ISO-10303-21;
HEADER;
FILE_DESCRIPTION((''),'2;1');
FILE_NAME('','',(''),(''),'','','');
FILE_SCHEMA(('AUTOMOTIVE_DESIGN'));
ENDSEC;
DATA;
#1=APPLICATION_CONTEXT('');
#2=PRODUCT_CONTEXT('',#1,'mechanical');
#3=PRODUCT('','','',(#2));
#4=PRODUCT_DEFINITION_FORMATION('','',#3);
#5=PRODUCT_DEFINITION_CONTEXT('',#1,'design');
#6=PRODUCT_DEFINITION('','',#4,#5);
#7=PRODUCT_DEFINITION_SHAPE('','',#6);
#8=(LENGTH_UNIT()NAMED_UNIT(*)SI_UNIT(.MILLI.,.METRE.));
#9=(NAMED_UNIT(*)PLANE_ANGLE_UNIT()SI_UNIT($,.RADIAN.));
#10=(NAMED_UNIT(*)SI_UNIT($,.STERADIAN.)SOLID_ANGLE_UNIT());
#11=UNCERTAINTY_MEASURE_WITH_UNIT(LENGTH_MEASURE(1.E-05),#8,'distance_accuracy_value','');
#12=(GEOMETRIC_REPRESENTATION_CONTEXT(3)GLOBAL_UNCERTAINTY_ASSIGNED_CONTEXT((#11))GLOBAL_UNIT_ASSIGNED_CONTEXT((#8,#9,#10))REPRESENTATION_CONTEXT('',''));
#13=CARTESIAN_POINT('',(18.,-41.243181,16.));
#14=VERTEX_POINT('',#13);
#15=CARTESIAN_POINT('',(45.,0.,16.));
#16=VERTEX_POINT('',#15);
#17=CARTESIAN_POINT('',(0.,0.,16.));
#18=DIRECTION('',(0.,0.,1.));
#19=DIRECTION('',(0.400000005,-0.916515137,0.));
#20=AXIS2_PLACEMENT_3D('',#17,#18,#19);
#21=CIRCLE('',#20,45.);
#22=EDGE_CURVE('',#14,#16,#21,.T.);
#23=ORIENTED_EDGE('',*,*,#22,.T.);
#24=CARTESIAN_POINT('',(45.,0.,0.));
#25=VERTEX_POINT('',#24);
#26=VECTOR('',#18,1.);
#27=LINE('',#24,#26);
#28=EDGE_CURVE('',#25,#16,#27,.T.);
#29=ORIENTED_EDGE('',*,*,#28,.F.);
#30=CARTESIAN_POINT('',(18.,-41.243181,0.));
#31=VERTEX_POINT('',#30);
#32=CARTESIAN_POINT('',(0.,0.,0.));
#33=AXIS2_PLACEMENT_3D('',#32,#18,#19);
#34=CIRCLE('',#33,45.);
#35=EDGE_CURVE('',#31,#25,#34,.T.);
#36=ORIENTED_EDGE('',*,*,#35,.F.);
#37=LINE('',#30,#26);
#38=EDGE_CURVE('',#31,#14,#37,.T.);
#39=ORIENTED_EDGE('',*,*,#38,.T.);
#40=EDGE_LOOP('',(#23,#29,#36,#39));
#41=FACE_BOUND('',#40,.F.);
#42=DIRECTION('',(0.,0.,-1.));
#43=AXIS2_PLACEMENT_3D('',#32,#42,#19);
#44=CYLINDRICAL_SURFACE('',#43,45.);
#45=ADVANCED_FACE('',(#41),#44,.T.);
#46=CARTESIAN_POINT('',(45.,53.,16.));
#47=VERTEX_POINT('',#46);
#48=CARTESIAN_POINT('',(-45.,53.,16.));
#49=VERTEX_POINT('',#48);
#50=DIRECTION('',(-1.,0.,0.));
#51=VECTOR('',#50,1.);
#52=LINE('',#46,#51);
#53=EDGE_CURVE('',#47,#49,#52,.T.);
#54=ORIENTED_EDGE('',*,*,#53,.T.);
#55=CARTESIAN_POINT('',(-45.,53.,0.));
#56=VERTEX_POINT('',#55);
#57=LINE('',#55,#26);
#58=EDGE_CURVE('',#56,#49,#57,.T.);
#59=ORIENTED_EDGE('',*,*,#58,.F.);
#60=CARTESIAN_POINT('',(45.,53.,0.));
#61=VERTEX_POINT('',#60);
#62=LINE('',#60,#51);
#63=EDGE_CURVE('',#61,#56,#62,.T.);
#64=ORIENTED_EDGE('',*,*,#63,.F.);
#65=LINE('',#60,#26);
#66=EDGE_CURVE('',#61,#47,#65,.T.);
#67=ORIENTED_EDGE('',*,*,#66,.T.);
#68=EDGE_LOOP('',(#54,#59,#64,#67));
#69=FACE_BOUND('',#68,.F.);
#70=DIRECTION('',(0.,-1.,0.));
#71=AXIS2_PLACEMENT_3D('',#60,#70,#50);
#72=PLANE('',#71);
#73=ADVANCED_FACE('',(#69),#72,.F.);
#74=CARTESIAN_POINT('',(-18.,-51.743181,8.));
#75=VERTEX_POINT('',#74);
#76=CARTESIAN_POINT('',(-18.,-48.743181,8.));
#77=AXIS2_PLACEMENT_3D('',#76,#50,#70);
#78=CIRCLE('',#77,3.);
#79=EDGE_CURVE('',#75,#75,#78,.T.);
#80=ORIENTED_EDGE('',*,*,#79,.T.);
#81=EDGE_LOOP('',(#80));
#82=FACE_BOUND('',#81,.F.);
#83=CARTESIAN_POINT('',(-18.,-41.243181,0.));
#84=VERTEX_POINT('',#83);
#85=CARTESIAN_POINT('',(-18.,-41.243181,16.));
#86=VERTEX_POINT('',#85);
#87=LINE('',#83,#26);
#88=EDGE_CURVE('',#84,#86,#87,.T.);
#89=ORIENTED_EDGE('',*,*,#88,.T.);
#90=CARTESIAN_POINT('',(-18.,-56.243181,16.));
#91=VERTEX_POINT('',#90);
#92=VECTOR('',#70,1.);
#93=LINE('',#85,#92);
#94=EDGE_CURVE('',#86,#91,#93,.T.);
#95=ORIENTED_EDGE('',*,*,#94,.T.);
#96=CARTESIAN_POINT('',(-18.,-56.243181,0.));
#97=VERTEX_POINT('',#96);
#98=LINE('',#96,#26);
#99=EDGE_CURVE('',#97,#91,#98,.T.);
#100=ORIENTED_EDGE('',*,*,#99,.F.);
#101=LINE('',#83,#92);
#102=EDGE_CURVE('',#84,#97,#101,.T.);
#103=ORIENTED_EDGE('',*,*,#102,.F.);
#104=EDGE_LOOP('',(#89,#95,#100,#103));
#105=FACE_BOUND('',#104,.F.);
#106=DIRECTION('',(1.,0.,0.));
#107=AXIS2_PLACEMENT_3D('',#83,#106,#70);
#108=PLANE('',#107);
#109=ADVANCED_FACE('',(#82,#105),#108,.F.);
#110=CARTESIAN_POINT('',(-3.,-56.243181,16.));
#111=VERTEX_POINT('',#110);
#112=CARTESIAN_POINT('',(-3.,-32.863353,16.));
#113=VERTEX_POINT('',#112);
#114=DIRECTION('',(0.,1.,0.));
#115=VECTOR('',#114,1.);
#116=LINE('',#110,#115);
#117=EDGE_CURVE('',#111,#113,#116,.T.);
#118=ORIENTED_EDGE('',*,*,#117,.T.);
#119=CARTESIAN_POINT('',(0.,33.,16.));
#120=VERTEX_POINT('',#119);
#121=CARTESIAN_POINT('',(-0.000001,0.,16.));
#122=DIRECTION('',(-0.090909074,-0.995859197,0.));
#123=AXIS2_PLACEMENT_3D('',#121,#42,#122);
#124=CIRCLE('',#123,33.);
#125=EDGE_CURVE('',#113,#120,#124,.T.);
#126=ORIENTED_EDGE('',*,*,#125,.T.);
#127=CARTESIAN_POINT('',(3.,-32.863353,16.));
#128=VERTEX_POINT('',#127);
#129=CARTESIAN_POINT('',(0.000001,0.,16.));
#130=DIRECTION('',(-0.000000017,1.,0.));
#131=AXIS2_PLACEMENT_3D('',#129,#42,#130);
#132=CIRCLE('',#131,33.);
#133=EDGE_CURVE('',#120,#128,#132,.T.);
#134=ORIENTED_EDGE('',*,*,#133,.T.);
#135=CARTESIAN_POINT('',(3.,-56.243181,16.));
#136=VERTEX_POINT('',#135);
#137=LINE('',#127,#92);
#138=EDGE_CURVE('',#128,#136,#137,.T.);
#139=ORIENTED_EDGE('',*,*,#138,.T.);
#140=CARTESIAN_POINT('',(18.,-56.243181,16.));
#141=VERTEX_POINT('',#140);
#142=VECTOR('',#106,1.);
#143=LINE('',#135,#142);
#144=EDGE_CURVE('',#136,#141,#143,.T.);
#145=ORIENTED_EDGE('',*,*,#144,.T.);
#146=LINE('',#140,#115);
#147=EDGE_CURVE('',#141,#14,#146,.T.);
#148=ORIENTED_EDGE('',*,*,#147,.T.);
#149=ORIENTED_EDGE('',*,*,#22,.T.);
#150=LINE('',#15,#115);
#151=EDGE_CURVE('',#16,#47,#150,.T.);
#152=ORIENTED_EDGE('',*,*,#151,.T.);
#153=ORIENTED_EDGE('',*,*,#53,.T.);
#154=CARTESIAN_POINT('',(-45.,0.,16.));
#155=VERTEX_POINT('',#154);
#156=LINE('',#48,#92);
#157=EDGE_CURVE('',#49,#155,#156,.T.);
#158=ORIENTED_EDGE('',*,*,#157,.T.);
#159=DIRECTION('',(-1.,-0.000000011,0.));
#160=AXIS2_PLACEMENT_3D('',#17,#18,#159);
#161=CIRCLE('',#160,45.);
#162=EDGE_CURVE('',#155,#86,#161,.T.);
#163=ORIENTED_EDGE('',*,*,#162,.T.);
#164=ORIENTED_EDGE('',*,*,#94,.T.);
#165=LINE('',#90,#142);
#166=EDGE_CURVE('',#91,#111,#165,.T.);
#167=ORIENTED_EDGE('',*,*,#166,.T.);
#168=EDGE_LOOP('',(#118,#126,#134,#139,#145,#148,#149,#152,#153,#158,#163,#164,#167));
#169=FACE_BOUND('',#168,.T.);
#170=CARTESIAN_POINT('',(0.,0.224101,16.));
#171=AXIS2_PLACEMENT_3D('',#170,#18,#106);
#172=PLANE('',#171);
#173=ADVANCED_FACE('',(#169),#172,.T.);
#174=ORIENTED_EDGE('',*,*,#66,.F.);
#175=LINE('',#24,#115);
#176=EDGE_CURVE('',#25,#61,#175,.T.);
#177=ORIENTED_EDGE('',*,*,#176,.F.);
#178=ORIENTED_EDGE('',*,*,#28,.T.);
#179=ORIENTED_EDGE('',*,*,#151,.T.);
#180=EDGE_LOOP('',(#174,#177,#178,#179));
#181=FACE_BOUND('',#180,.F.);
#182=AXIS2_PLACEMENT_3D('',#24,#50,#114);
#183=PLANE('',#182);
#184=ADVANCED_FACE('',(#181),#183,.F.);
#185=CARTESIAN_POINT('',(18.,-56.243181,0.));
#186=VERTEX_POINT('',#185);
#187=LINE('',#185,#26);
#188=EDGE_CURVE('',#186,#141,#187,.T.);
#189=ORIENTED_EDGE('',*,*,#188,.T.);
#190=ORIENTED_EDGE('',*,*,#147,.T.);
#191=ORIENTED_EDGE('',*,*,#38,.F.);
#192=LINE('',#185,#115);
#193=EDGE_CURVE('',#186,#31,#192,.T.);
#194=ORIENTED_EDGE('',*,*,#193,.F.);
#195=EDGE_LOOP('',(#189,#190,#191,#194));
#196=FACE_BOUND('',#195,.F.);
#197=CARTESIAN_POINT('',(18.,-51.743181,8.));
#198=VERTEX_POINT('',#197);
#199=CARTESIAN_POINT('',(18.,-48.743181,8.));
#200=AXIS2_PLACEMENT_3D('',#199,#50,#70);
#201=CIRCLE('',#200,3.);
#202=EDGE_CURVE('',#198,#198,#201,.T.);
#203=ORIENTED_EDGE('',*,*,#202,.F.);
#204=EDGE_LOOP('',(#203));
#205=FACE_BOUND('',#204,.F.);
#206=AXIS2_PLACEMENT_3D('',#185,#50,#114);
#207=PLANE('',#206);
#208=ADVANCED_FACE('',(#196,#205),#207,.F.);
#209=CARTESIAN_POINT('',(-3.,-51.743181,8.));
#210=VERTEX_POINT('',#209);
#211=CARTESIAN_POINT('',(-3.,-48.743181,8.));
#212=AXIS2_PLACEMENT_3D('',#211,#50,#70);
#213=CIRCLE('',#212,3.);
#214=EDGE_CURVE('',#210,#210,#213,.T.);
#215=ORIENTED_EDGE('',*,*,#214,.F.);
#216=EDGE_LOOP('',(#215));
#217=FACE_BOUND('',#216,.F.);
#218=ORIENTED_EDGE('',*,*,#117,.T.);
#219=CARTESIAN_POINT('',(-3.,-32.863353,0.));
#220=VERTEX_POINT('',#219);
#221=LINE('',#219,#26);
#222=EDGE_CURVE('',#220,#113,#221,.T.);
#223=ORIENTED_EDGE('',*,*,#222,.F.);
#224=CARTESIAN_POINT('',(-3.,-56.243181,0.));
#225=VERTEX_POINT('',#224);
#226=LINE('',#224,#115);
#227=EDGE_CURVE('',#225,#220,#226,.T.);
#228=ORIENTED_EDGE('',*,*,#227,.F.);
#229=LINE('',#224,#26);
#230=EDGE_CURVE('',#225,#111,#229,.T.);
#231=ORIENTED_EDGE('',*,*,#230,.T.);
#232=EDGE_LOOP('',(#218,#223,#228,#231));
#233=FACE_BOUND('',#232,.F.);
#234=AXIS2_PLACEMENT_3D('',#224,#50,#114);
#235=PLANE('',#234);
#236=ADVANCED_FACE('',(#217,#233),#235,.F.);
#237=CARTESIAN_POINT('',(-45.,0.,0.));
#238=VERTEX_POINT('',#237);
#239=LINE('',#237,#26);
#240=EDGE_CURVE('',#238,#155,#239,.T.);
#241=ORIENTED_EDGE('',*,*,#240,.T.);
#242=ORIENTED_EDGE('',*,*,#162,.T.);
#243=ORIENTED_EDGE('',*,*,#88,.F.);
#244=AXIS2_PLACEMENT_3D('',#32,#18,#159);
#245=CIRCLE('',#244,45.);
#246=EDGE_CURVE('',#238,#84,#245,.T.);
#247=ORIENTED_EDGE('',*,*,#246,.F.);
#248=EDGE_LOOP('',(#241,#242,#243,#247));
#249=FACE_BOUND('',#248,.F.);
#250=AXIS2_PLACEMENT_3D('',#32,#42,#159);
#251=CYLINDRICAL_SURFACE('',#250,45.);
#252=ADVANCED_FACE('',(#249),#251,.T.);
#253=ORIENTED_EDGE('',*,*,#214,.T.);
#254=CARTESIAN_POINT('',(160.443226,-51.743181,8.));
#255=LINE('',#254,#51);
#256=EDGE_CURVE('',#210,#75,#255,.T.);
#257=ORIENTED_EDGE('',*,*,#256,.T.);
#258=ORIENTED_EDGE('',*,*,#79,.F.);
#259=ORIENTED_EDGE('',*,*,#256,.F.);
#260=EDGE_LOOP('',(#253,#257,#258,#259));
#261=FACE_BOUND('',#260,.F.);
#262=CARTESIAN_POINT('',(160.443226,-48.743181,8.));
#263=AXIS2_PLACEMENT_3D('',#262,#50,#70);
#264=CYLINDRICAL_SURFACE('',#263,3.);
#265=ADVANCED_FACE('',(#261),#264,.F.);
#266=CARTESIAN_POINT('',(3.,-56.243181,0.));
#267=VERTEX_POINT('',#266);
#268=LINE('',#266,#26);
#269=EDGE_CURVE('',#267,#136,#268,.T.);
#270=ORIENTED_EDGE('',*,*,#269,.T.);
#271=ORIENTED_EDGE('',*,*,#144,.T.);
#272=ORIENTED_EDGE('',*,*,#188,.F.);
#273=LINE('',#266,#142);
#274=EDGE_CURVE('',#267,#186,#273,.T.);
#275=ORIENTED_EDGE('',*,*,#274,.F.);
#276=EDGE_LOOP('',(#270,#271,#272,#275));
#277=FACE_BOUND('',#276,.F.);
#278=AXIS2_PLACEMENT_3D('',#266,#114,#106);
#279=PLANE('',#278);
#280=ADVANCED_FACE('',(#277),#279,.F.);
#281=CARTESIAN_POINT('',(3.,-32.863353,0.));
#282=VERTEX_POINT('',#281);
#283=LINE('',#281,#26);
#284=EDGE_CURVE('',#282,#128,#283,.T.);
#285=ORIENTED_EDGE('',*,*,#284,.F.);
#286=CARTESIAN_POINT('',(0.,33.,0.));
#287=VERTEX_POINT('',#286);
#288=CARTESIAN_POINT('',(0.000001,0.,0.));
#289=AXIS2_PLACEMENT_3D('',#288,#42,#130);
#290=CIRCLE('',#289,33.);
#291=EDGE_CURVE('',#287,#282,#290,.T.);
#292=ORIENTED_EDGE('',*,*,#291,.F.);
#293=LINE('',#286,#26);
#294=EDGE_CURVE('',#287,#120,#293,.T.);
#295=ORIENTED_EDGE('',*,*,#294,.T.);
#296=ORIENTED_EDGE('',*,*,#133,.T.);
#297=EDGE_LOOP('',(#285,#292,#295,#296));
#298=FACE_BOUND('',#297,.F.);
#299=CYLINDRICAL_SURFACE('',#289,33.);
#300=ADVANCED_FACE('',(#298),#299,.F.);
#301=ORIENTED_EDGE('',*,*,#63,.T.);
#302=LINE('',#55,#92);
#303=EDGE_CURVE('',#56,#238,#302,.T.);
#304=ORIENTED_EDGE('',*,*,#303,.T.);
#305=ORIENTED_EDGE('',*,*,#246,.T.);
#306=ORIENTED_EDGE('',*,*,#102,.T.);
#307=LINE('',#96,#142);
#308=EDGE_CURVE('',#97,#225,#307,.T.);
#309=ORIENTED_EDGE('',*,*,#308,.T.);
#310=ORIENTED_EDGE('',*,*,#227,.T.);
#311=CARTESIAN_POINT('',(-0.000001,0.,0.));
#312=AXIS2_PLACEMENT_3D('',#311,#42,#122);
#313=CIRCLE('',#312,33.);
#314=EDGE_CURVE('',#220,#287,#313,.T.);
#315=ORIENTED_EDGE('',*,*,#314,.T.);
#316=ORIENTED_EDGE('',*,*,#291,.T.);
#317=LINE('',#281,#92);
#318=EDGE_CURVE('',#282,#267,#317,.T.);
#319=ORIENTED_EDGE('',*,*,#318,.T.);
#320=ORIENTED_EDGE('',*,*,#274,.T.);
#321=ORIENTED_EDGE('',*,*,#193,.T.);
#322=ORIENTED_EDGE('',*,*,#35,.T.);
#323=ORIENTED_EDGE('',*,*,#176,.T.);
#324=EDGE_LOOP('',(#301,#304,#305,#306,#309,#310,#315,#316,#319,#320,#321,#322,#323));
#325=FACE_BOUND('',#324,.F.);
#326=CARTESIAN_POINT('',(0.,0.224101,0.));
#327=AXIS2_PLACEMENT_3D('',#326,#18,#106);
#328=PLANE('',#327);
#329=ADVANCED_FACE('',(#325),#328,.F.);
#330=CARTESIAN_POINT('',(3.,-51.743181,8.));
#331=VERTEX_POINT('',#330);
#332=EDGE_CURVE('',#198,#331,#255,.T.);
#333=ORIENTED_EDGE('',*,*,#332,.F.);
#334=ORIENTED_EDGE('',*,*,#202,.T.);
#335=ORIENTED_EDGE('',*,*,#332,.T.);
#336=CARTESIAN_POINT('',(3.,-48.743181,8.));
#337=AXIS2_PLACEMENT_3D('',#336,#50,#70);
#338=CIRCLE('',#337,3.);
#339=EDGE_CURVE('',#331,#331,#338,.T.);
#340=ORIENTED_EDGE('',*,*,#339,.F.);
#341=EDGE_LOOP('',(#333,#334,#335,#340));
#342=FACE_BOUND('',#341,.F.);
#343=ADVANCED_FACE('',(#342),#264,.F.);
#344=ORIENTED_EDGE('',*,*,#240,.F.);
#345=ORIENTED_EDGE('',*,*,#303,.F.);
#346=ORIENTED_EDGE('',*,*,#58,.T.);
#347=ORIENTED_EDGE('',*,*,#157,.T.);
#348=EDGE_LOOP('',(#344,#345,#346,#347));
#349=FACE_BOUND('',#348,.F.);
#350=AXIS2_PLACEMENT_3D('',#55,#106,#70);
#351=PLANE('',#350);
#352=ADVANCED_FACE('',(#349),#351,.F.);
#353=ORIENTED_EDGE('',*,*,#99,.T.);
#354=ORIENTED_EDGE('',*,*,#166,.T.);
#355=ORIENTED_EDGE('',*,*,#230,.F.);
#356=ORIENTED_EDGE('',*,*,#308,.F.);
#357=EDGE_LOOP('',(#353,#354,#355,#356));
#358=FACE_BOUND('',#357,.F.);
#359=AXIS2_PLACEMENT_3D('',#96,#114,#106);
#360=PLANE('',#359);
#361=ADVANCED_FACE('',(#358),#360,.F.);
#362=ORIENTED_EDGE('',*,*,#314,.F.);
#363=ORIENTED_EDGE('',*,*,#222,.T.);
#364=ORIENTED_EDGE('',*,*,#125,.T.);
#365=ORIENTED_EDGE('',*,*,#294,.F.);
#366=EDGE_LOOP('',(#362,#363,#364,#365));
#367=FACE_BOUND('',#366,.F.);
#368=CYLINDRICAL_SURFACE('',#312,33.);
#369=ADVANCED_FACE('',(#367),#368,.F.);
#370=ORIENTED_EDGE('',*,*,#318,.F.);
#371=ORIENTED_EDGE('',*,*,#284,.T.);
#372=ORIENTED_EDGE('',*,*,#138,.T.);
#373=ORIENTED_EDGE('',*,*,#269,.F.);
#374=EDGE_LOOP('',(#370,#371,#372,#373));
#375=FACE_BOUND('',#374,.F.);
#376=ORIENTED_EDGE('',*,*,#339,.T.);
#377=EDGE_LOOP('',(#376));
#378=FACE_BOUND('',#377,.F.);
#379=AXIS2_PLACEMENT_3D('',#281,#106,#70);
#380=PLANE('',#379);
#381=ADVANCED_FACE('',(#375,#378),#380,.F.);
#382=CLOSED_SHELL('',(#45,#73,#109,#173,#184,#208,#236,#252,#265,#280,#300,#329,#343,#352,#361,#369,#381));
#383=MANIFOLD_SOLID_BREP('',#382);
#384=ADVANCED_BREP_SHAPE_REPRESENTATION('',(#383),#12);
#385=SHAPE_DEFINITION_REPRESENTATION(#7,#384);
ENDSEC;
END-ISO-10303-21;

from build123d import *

# Parameters (mm, degrees)
F1_DEPTH = 16
F3_D     = 6


with BuildPart() as f1:
    # F0 (on Top) → F1 (new body)
    with BuildSketch(Plane.XY):
        with BuildLine():
            Line((-45, 53), (-45, 0))
            ThreePointArc((-45, 0), (-37.649701, -24.647515), (-18, -41.243181))
            Line((-18, -41.243181), (-18, -56.243181))
            Line((-18, -56.243181), (-3, -56.243181))
            Line((-3, -56.243181), (-3, -32.863353))
            ThreePointArc((-3, -32.863353), (-32.965821, 1.501555), (0, 33))
            ThreePointArc((0, 33), (32.965821, 1.501555), (3, -32.863353))
            Line((3, -32.863353), (3, -56.243181))
            Line((3, -56.243181), (18, -56.243181))
            Line((18, -56.243181), (18, -41.243181))
            ThreePointArc((18, -41.243181), (37.649701, -24.647515), (45, 0))
            Line((45, 0), (45, 53))
            Line((45, 53), (0, 53))
            Line((0, 53), (-45, 53))
        make_face()
    extrude(amount=F1_DEPTH)

    # F3 (through all)
    with Locations(Plane.YZ.offset(18)):
        with Locations((-48.743181, 8)):
            Hole(F3_D / 2)


solid = f1.part
